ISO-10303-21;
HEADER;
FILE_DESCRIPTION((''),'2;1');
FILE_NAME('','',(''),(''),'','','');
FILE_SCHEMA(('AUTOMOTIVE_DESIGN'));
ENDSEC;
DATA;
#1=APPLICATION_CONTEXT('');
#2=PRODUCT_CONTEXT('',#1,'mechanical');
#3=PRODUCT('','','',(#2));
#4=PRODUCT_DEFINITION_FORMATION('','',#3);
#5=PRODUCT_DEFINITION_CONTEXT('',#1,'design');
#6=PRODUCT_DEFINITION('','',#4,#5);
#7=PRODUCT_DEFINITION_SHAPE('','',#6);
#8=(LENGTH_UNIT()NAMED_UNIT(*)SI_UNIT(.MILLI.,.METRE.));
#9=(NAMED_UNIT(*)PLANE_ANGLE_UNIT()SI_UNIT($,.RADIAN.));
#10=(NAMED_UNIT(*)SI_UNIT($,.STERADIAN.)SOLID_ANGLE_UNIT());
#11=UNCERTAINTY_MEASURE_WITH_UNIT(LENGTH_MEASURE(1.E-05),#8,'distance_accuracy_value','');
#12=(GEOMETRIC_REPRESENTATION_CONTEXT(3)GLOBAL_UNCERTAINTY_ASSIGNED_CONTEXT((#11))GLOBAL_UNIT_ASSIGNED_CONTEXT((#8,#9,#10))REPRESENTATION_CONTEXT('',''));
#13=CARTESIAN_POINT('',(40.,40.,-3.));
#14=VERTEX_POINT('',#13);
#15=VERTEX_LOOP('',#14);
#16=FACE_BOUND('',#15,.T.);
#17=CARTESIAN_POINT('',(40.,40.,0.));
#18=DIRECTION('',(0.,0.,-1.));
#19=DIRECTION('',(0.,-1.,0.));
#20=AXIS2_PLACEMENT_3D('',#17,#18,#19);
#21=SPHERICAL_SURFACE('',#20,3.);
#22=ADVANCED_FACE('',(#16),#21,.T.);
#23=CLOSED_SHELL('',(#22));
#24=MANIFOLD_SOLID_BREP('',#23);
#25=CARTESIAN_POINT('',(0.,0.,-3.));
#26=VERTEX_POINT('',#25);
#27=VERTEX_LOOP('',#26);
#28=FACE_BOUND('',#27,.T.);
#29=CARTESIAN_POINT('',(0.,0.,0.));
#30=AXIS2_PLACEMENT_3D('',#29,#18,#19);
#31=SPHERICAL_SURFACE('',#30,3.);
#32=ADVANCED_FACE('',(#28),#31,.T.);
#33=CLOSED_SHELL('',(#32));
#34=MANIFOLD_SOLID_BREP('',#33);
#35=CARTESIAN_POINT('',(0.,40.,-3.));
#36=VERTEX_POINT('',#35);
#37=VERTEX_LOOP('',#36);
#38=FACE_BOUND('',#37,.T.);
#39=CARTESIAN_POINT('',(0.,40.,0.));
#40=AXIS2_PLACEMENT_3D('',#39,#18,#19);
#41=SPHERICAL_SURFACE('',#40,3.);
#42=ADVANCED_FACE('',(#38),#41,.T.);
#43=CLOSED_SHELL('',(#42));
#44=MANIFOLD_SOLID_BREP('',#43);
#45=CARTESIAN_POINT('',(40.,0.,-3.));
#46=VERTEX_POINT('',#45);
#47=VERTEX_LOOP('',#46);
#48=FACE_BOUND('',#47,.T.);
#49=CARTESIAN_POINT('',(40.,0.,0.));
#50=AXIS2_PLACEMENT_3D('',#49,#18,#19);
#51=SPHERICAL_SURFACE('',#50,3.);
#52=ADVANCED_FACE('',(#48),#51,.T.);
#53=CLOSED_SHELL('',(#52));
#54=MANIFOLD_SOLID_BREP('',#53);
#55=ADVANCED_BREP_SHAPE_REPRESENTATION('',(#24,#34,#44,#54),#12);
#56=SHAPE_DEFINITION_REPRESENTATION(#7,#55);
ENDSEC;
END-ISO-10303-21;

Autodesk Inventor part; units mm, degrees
ref_plane "YZ Plane" through (0, 0, 0) normal (1, 0, 0) x (0, 1, 0)
ref_plane "XZ Plane" through (0, 0, 0) normal (0, 1, 0) x (-1, 0, 0)
ref_plane "XY Plane" through (0, 0, 0) normal (0, 0, 1) x (1, 0, 0)
sketch "Skizze1" plane through (0, 0, 0) normal (1, 0, 0) x (0, 1, 0)
  circle A0 centre (0, 0) radius 3
  line L0 (0, 3) -> (0, -3)
  dimension "d0" = 6
revolve "Umdrehung1" add sketch "Skizze1" angle 360 about axis through (0, 0, 3) along (0, 0, -1) picked at (-0.935, -0.3546) contours L0 A0
pattern_linear "Rechteckige Anordnung1" count 2 spacing 40 along (1, 0, 0) count 2 spacing 40 along (0, 1, 0) of "Umdrehung1"
properties part number "00_BallMagnets_6mm"
